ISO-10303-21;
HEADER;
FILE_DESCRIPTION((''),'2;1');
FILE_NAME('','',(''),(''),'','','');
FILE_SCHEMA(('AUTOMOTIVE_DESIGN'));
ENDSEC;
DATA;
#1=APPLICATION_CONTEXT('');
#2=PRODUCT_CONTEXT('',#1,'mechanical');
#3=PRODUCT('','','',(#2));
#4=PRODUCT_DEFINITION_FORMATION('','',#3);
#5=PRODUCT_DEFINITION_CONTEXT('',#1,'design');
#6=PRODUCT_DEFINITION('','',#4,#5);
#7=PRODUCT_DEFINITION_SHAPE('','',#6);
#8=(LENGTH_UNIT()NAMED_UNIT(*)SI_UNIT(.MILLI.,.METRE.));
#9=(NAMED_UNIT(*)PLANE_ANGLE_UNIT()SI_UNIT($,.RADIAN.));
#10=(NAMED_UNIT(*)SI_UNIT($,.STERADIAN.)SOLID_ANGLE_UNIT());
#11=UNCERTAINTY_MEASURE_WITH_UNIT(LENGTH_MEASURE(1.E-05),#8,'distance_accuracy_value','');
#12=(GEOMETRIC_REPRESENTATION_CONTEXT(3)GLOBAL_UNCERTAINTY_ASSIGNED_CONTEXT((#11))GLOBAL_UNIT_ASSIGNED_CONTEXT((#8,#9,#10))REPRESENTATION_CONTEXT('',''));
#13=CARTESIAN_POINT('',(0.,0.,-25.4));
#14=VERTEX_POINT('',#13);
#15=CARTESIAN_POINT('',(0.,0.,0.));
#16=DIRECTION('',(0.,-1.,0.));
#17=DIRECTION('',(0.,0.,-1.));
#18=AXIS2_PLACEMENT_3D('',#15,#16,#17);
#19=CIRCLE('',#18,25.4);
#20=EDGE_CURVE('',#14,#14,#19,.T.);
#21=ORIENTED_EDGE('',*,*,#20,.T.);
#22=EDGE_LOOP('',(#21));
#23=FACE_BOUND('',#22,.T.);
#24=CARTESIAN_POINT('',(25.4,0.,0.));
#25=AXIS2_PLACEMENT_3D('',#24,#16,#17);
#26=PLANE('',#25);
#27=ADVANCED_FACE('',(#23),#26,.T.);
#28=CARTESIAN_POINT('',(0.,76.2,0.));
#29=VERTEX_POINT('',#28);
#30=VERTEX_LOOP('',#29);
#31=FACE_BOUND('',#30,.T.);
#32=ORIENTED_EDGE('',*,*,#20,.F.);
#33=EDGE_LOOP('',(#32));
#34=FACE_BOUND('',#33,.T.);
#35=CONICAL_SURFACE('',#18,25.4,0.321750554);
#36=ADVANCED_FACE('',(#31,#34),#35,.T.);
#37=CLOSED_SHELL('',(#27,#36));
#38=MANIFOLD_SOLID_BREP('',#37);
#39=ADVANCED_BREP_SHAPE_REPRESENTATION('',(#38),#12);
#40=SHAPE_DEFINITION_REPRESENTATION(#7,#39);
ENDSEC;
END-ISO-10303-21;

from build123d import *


with BuildPart() as part:
    # Sketch1 → Revolve1 (revolve)
    with BuildSketch(Plane.XY, mode=Mode.PRIVATE) as revolve1_sk:
        Polygon((0, 0), (0, 76.2), (25.4, 0), align=None)
    revolve(revolve1_sk.sketch.rotate(Axis((0, 0, 0), (0, 1, 0)), 90), axis=Axis((0, 0, 0), (0, 1, 0)))


solid = part.part
